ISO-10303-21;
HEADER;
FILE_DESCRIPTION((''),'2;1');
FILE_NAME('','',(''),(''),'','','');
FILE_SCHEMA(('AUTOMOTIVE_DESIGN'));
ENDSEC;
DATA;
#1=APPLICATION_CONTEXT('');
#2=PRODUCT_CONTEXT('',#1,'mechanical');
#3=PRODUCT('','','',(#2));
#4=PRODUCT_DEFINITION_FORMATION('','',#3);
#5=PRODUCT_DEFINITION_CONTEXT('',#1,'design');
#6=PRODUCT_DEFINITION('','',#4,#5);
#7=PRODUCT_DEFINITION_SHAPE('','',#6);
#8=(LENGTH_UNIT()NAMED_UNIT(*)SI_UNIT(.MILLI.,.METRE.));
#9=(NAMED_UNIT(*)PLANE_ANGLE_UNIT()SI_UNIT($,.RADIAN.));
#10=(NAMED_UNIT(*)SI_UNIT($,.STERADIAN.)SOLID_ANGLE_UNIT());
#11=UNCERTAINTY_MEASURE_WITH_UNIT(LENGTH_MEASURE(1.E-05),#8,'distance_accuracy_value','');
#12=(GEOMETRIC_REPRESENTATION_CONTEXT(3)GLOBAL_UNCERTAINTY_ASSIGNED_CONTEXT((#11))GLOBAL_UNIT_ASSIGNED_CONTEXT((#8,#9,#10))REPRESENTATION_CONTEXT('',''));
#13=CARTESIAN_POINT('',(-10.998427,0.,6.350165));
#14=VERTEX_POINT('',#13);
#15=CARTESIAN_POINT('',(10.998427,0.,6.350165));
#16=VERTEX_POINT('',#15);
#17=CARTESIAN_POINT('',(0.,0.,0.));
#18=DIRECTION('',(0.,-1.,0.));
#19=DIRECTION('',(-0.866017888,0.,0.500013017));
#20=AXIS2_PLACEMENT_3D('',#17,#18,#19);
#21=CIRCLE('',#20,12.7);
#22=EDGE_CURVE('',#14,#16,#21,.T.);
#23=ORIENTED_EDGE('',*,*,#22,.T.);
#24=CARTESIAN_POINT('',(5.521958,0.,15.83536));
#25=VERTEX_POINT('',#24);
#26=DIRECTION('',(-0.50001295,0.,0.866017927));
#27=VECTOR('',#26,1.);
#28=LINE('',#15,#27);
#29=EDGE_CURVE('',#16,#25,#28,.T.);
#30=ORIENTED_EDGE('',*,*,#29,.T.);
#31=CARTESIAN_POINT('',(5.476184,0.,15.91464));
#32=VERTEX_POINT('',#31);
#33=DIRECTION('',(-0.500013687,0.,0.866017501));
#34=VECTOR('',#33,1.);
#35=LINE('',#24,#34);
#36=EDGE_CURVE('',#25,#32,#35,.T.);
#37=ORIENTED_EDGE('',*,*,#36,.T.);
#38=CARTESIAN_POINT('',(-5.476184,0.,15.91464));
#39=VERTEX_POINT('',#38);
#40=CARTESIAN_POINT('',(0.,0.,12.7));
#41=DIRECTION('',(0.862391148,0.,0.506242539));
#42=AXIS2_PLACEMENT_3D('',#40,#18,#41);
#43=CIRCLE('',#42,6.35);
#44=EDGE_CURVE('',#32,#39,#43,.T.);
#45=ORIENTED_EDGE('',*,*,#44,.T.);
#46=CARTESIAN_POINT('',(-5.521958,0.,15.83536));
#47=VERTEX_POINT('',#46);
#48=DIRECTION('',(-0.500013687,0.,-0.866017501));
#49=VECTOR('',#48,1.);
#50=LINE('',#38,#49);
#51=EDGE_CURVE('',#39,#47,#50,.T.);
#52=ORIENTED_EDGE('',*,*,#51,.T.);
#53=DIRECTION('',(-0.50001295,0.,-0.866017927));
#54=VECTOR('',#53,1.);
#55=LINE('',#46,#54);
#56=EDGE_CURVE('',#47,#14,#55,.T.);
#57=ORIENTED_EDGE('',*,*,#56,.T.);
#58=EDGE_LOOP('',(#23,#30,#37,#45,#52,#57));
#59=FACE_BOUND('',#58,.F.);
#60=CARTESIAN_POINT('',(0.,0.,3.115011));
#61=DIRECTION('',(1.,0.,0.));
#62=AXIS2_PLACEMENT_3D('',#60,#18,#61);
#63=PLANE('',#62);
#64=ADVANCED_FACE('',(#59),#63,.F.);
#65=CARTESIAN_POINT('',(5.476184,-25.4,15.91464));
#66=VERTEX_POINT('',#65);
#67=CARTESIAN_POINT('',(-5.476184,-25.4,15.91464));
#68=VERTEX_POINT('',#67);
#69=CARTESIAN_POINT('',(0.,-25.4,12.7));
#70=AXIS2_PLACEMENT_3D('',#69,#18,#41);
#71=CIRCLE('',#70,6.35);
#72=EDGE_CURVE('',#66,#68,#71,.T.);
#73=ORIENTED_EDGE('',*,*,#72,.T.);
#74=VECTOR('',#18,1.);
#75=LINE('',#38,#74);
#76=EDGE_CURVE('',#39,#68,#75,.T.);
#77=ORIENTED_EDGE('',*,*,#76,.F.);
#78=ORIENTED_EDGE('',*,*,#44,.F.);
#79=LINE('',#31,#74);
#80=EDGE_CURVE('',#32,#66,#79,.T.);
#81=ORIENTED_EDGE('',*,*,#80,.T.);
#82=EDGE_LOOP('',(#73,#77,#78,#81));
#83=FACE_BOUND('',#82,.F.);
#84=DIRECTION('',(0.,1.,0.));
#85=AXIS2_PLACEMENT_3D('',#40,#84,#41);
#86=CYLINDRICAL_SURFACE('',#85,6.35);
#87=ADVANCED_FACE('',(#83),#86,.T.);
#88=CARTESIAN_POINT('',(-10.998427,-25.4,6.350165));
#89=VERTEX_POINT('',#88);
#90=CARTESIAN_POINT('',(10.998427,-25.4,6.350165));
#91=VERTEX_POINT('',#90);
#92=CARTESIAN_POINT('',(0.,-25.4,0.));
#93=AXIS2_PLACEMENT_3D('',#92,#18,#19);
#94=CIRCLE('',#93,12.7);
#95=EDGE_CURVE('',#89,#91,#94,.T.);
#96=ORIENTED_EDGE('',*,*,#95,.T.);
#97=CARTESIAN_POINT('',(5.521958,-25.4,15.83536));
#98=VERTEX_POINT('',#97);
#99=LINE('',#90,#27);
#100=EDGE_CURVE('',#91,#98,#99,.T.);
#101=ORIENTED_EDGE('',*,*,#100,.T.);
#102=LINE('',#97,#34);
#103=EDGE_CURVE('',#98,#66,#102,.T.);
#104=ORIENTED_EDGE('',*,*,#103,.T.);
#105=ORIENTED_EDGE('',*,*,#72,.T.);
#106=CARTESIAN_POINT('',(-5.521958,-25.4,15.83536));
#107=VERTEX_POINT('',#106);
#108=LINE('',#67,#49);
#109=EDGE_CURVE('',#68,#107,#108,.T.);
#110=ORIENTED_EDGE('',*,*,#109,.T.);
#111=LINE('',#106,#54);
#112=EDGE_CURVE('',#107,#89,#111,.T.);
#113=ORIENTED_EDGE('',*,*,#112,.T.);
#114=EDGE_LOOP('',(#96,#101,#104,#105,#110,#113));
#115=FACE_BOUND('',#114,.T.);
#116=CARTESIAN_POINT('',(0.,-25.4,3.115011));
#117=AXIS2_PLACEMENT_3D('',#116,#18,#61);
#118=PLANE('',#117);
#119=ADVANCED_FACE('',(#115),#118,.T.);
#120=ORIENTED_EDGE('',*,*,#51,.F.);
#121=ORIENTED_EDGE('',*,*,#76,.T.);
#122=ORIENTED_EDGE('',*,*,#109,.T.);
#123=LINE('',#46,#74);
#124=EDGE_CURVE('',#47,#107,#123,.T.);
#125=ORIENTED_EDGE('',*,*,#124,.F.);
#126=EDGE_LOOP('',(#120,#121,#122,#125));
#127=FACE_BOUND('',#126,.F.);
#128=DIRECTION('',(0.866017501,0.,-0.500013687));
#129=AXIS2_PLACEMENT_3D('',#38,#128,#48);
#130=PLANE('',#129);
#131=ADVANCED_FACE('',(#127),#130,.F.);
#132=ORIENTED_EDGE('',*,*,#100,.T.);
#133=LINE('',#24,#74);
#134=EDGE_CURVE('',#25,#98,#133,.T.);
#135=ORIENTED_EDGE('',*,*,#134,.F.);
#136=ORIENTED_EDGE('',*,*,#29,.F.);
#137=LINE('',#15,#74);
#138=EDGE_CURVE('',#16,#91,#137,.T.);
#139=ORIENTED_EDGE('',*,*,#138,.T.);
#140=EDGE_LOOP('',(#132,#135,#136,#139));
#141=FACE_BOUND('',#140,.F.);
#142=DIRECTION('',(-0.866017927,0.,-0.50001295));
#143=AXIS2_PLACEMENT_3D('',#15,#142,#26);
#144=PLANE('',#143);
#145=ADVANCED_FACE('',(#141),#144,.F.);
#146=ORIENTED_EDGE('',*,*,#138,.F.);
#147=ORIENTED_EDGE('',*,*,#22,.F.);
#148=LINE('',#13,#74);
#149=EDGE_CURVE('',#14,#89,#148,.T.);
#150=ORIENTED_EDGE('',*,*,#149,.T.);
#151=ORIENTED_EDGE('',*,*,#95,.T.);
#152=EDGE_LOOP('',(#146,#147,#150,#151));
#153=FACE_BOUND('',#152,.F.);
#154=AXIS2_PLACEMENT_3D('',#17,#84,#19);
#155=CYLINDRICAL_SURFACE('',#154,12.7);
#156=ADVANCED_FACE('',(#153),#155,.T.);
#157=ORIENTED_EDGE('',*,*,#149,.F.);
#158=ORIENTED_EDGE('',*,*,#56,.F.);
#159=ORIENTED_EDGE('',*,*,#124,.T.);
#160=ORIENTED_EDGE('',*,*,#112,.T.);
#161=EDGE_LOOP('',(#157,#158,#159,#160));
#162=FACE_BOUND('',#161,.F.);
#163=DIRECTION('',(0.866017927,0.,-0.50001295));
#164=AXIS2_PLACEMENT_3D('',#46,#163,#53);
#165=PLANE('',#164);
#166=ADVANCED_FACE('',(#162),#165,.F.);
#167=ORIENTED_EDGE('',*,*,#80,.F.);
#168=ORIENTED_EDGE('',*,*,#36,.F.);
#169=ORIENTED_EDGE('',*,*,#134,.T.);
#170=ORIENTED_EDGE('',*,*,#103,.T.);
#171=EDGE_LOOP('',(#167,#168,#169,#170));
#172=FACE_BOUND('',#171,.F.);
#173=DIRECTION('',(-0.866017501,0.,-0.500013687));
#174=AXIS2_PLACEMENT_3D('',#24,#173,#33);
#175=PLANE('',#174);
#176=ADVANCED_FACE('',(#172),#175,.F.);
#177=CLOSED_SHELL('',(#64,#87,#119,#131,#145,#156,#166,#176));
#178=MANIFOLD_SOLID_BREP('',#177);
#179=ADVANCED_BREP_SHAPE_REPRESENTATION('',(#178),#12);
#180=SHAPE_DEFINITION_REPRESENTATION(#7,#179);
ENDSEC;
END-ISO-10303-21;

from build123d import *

# Parameters (mm, degrees)
F1_DEPTH = 25.4


with BuildPart() as f1:
    # F0 (on Front) → F1 (new body)
    with BuildSketch(Plane.XZ):
        with BuildLine():
            Line((-5.521958, 15.83536), (-10.998427, 6.350165))
            ThreePointArc((-10.998427, 6.350165), (0, -12.7), (10.998427, 6.350165))
            Line((10.998427, 6.350165), (5.521958, 15.83536))
            Line((5.521958, 15.83536), (5.476184, 15.91464))
            ThreePointArc((5.476184, 15.91464), (0, 19.05), (-5.476184, 15.91464))
            Line((-5.476184, 15.91464), (-5.521958, 15.83536))
        make_face()
    extrude(amount=F1_DEPTH)


solid = f1.part
